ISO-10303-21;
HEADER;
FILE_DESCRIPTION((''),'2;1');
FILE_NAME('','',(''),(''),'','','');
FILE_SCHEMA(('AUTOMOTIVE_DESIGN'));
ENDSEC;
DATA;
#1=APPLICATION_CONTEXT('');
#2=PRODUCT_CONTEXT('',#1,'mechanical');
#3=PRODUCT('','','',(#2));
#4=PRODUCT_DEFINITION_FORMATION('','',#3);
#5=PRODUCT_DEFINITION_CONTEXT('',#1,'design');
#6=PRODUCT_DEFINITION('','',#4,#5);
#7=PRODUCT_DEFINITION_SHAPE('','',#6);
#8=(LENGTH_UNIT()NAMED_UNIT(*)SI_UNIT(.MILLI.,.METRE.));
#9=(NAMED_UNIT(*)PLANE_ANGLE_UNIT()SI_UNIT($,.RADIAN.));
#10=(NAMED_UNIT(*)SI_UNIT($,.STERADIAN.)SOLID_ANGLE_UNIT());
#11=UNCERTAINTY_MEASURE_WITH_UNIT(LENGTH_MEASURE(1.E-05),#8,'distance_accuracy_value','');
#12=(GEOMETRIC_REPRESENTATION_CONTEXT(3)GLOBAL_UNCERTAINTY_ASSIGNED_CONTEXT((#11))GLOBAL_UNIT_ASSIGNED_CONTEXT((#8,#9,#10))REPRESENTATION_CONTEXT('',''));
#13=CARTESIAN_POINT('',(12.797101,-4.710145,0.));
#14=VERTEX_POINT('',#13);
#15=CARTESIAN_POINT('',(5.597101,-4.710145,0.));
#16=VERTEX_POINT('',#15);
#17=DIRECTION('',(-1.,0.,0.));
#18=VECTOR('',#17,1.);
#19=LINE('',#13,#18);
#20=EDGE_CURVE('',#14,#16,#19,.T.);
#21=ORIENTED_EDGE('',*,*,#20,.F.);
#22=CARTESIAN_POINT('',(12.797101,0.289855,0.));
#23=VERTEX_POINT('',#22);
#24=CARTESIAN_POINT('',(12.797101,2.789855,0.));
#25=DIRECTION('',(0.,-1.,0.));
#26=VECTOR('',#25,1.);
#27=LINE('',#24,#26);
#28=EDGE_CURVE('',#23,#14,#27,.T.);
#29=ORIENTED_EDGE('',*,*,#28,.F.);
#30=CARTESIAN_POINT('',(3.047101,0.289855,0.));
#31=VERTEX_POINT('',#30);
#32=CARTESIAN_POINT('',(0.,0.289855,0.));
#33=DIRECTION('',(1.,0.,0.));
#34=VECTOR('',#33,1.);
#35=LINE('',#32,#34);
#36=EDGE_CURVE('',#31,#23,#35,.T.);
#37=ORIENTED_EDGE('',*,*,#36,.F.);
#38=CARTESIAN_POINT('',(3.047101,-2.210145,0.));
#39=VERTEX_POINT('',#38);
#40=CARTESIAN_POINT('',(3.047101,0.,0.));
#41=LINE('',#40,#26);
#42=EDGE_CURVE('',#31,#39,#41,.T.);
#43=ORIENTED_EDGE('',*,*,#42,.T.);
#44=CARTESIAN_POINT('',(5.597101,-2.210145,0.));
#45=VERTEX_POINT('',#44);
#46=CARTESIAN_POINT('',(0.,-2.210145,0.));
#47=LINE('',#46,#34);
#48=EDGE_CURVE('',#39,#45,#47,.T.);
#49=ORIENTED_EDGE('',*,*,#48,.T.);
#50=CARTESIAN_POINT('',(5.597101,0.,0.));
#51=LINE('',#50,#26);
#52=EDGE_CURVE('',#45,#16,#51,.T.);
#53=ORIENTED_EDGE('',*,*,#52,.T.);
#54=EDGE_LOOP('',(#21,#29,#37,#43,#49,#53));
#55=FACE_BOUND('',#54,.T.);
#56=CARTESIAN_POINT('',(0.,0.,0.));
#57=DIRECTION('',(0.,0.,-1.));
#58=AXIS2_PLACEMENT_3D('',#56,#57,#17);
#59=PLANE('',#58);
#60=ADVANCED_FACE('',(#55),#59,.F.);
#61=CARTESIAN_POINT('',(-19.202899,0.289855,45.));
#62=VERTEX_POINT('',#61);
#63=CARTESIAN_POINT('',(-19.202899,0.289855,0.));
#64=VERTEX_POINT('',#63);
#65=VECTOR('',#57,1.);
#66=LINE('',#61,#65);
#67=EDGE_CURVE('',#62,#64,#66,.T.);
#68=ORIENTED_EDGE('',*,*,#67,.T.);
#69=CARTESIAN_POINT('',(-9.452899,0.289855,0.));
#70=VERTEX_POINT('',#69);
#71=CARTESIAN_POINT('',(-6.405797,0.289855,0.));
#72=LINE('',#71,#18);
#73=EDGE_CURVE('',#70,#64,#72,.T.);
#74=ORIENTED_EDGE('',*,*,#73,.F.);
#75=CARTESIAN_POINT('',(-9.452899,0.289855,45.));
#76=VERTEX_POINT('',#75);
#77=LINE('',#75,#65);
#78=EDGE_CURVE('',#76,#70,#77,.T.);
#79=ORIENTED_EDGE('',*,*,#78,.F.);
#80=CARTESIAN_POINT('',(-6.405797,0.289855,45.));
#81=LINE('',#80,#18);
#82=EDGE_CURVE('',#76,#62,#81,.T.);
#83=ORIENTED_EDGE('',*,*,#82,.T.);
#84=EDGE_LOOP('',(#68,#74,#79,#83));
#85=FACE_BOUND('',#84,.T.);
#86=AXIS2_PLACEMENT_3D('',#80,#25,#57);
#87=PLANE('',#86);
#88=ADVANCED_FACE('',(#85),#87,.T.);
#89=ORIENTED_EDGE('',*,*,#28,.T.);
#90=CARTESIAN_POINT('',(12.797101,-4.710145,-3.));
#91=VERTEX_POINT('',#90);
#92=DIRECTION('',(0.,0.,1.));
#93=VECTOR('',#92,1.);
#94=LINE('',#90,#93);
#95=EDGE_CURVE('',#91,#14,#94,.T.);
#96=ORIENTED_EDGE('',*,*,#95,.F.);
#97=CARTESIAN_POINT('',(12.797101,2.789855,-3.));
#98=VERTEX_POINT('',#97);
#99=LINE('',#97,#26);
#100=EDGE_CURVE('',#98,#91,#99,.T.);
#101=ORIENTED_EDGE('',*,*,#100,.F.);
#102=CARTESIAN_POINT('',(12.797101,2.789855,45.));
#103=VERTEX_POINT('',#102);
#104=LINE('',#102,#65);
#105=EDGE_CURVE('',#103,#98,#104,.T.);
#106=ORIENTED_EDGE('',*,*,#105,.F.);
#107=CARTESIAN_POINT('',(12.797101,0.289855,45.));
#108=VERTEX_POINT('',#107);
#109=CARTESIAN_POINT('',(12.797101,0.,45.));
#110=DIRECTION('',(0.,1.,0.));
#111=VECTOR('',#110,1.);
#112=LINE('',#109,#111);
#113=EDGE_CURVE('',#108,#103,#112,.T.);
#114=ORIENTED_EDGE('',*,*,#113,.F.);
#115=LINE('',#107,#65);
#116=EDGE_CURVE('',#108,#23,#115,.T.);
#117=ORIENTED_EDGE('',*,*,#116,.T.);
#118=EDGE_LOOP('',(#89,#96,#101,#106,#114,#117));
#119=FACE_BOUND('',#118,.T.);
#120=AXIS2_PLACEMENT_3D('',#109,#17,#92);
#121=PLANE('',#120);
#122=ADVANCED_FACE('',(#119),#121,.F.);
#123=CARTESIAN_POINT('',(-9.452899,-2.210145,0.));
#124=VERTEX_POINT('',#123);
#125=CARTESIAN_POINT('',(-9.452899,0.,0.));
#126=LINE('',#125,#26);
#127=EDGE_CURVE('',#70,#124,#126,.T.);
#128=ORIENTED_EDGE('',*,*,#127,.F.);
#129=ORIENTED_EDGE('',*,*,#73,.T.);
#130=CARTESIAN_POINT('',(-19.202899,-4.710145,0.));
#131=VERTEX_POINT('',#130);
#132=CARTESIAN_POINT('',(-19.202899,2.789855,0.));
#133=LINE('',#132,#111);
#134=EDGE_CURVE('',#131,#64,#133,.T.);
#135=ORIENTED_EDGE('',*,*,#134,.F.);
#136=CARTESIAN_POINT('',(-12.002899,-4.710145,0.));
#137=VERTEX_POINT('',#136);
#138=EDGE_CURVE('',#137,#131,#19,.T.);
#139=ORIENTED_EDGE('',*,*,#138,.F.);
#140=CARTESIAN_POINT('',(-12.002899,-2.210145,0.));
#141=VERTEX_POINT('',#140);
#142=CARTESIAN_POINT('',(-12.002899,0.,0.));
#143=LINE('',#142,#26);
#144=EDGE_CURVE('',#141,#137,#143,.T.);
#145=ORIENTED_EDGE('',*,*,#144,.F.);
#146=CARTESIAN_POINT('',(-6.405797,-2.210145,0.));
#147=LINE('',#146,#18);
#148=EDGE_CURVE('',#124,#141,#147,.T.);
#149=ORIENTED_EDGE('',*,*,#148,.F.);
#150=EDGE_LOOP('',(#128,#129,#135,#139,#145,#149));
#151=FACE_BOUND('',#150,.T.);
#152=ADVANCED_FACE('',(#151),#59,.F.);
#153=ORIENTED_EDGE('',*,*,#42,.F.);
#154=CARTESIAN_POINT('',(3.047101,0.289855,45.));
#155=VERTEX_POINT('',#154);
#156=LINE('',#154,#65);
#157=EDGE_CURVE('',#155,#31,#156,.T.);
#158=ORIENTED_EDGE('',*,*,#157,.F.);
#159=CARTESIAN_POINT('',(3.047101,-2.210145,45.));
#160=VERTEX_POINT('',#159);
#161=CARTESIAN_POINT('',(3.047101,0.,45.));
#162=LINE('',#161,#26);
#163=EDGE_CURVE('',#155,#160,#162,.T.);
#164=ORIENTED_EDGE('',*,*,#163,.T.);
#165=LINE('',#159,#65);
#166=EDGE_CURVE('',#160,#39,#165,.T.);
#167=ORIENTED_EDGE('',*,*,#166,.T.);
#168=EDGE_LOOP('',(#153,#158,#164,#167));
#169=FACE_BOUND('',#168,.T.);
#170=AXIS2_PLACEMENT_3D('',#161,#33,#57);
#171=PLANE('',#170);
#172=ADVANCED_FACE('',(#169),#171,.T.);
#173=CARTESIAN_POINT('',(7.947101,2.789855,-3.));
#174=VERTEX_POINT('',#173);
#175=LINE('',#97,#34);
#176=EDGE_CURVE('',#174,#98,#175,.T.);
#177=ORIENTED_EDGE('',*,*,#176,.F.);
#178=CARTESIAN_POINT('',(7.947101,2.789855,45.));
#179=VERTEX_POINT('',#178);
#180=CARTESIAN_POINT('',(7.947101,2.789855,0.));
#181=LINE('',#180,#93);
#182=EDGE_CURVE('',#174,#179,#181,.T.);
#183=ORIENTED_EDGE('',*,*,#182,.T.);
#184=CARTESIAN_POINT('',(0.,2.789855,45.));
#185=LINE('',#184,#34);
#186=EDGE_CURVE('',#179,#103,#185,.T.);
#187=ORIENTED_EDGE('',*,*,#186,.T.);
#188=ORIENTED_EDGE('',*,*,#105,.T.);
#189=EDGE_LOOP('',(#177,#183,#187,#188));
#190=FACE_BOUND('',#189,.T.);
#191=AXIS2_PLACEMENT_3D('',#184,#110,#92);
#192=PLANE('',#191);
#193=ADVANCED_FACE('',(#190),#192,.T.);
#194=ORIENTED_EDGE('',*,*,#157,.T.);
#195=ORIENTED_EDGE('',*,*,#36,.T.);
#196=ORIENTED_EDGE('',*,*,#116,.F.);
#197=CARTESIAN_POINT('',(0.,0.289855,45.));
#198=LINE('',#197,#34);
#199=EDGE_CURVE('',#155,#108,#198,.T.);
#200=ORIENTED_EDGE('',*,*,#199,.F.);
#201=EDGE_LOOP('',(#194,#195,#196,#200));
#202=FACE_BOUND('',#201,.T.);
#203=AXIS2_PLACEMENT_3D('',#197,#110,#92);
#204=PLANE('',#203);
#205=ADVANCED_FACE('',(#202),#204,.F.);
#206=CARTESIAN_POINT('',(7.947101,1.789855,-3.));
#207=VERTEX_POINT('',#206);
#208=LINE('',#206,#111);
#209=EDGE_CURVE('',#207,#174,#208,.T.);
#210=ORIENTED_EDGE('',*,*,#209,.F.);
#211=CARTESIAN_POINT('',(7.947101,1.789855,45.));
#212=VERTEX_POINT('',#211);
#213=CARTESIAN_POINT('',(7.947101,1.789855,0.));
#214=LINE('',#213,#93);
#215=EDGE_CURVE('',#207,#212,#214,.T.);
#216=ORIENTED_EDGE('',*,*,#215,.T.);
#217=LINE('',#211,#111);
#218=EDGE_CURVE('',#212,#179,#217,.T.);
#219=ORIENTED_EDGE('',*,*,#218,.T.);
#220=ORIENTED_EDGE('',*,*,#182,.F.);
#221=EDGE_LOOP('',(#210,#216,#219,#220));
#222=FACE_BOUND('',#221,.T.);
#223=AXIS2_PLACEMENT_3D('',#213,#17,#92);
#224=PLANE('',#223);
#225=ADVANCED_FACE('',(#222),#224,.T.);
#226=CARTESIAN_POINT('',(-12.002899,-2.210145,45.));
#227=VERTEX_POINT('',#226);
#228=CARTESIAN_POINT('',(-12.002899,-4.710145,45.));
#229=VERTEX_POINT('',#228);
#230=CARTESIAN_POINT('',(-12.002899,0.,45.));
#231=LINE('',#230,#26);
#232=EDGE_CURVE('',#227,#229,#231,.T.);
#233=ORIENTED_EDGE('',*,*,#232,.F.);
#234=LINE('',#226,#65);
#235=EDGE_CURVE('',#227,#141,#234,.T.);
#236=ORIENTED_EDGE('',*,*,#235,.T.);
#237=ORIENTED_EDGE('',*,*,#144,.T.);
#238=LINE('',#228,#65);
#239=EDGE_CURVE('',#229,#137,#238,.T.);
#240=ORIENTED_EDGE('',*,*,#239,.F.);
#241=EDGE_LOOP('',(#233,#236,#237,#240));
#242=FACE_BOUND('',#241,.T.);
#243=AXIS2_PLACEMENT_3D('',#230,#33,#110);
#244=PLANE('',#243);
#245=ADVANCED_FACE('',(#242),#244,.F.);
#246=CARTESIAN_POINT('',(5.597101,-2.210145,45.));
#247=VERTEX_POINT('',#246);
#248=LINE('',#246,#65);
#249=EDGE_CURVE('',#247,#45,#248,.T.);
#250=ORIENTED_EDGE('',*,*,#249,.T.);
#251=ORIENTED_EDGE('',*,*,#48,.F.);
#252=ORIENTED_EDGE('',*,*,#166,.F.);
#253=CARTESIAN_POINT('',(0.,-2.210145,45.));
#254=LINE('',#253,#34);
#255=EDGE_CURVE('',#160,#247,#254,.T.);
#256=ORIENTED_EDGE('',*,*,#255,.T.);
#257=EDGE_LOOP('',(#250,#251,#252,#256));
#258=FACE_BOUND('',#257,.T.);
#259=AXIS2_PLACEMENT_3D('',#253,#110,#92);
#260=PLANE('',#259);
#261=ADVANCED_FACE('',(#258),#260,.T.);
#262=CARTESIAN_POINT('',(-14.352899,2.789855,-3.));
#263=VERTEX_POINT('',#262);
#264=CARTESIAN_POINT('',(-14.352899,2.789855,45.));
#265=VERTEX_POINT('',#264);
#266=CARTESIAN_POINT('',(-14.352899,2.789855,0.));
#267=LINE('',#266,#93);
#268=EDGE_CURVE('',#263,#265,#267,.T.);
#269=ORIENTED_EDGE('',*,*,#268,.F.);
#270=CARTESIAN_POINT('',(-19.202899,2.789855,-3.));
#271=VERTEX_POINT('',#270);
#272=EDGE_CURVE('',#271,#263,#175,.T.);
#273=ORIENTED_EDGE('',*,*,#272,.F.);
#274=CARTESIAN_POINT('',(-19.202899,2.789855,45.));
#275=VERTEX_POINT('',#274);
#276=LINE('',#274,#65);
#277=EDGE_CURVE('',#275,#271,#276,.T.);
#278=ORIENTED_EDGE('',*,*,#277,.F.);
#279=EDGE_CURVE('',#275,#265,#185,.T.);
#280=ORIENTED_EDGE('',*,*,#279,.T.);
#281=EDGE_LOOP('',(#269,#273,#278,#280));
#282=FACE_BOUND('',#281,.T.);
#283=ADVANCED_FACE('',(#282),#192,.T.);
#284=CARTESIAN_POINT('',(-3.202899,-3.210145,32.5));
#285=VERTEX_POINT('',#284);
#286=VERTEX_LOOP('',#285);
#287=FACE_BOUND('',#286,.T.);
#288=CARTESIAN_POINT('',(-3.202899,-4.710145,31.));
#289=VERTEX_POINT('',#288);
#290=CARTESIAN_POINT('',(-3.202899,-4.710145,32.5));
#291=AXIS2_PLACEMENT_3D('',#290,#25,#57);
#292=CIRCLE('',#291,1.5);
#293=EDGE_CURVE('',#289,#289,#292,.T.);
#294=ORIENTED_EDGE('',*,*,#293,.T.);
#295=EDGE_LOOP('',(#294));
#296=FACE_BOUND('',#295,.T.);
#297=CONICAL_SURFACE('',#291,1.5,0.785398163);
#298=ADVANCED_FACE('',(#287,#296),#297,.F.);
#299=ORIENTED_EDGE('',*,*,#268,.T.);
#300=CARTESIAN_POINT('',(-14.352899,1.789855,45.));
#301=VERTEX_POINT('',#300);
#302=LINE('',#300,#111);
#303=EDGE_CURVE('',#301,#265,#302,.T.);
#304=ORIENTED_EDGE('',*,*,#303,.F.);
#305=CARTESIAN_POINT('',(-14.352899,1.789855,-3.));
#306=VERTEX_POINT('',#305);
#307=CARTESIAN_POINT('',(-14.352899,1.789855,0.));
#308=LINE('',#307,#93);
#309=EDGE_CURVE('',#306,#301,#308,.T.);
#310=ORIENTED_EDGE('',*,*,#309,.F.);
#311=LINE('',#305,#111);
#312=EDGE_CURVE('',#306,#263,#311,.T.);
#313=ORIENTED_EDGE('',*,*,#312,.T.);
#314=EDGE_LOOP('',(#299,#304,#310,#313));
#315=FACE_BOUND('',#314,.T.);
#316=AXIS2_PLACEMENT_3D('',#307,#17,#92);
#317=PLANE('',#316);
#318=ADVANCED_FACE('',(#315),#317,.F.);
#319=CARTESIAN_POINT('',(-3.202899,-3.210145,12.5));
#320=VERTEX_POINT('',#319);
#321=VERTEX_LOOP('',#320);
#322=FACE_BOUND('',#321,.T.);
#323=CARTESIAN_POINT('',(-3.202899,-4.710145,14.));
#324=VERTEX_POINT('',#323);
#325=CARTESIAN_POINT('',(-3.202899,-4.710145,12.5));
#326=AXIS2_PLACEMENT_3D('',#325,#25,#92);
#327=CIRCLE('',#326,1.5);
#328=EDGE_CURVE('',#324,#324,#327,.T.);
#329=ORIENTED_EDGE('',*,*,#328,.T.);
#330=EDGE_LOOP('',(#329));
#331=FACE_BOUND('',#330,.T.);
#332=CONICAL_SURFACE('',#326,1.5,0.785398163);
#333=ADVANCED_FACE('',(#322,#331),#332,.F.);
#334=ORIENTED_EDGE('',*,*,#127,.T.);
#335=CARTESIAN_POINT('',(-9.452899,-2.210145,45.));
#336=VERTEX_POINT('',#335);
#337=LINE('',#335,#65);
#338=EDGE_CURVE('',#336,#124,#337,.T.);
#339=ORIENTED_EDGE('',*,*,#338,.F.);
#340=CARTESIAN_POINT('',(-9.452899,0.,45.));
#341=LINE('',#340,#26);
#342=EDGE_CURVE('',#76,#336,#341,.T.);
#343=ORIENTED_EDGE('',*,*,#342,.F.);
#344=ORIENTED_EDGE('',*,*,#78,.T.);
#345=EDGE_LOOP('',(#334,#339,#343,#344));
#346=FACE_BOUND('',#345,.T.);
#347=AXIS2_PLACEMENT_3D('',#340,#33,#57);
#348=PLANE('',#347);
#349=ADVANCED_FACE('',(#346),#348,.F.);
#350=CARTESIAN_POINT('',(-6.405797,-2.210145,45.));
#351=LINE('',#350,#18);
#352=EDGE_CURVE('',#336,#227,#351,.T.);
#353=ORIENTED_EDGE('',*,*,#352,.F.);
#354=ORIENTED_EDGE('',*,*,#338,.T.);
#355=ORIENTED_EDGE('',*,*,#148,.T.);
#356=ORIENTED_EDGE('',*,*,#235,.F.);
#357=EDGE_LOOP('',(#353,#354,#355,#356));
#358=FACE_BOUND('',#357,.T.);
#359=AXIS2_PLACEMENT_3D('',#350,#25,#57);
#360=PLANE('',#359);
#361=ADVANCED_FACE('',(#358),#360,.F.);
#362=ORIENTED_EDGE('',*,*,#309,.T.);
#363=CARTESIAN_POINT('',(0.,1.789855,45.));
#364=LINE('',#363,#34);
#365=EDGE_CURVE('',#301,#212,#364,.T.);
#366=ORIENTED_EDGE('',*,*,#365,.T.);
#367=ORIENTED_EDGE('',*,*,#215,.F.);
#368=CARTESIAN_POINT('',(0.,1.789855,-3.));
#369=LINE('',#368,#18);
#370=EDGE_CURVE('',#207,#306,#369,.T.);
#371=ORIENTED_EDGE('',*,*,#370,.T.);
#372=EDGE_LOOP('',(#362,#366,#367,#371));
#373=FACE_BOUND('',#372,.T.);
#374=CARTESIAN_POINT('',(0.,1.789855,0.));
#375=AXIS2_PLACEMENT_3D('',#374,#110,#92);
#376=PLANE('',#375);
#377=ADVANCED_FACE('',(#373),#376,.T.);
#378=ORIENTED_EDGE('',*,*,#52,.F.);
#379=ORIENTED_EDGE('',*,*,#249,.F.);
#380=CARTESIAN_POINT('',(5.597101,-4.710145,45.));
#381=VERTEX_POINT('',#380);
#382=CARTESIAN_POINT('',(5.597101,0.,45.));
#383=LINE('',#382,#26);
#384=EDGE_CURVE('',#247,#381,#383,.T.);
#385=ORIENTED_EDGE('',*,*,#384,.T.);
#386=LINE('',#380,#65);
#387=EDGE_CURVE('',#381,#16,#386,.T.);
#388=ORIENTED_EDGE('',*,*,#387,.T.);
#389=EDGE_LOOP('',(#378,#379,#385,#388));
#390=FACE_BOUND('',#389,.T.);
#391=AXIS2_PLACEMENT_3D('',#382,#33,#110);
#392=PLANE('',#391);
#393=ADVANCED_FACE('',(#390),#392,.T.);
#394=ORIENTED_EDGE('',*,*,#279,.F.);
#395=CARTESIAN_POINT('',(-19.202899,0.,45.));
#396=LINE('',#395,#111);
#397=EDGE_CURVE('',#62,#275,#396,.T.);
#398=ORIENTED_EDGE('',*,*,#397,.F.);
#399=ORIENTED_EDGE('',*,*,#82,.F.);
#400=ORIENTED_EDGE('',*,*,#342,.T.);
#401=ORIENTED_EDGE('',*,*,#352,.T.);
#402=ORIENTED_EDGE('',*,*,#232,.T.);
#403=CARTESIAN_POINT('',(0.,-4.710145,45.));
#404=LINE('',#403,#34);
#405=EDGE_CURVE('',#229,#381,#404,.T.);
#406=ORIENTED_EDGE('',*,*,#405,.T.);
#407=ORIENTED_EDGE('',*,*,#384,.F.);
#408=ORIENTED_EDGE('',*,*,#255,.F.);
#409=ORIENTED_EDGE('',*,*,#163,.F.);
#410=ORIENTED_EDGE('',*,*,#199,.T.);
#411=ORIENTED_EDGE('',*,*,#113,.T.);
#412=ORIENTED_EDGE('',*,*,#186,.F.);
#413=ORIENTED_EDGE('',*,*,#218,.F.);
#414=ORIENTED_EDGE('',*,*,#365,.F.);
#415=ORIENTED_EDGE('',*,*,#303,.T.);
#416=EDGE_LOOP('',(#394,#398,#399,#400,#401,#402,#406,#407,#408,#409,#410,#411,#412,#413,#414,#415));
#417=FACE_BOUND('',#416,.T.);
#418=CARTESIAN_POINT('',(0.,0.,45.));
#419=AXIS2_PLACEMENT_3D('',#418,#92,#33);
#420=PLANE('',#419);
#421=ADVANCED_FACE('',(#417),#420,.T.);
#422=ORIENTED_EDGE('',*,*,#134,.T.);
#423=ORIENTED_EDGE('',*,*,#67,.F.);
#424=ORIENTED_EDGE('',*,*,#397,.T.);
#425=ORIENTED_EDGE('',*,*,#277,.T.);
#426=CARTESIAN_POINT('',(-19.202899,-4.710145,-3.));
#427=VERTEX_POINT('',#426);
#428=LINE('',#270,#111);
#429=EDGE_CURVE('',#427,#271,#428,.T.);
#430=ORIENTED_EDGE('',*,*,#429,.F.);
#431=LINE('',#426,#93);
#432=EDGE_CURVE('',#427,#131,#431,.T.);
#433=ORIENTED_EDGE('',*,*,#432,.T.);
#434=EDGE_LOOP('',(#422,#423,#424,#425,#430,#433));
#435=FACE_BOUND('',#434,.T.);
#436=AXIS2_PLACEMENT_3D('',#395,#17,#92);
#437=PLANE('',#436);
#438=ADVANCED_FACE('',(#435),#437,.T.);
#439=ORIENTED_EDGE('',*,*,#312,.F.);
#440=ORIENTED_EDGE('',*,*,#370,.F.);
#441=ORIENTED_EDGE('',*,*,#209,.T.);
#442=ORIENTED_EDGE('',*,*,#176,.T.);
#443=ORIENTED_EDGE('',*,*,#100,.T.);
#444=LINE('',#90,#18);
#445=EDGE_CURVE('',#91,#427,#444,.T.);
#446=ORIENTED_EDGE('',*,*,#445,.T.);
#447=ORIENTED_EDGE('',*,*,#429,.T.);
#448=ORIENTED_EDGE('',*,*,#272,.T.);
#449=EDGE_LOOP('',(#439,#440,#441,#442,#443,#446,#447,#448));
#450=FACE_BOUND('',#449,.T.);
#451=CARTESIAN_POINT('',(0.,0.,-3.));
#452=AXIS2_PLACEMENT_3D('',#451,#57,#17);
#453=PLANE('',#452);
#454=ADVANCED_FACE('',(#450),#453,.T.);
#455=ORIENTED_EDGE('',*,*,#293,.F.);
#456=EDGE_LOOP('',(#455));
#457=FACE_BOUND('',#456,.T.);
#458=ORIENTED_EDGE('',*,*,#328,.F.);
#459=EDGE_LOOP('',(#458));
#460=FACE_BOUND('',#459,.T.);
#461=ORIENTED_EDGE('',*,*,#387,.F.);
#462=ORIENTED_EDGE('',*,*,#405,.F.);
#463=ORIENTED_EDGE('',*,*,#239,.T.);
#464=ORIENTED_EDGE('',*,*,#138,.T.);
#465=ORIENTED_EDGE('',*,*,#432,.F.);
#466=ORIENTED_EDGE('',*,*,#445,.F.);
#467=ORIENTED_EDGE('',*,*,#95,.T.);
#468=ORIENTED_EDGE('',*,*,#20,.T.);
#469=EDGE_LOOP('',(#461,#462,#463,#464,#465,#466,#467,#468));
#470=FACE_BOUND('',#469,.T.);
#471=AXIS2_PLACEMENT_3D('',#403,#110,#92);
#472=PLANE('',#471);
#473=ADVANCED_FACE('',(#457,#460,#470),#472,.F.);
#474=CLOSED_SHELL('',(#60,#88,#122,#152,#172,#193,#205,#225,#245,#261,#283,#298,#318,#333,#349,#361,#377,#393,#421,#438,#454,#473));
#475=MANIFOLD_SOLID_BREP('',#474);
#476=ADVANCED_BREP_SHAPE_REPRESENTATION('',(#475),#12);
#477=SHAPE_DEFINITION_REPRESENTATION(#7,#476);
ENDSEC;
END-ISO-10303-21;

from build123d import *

# Parameters (mm, degrees)
SKETCH1_W           = 6.25
SKETCH1_H           = 2.5
SKETCH1_W_2         = 8.8
BOSS_EXTRUDE1_DEPTH = 45
SKETCH9_W           = 32
SKETCH9_H           = 7.5
BOSS_EXTRUDE3_DEPTH = 3
SKETCH10_W          = 11.15
SKETCH10_H          = 48
CUT_EXTRUDE3_DEPTH  = 1


with BuildPart() as part:
    # Sketch1 → Boss-Extrude1 (new body)
    with BuildSketch(Plane.XY):
        Polygon((-3.202898551, 2.789855072), (-3.202898551, 0.289855072), (3.047101449, 0.289855072), (12.797101449, 0.289855072), (12.797101449, 2.789855072), align=None)
        with Locations((-0.077898551, -0.960144928)):
            Rectangle(SKETCH1_W, SKETCH1_H)
        with Locations((1.197101449, -3.460144928)):
            Rectangle(SKETCH1_W_2, SKETCH1_H)
    boss_extrude1 = extrude(amount=BOSS_EXTRUDE1_DEPTH)

    # Mirror1: Boss-Extrude1 across plane
    add(boss_extrude1.mirror(Plane(origin=(-3.202898551, 0, 45), x_dir=(0, 0, 1), z_dir=(-1, 0, 0))))

    # Cut-Extrude2 cone 1 section (through the dimple's axis) → Cut-Extrude2 (revolve, cut)
    with BuildSketch(Plane(origin=(-3.202898551, -4.710144928, 32.5), x_dir=(0, 0, -1), z_dir=(1, 0, 0))):
        Polygon((0, 0), (1.5, 0), (0, 1.5), align=None)
    revolve(axis=Axis((-3.202898551, -4.710144928, 32.5), (0, 1, 0)), mode=Mode.SUBTRACT)

    # Cut-Extrude2 cone 2 section (through the dimple's axis) → Cut-Extrude2 cone 2 (revolve, cut)
    with BuildSketch(Plane(origin=(-3.202898551, -4.710144928, 12.5), x_dir=(0, 0, -1), z_dir=(1, 0, 0))):
        Polygon((0, 0), (1.5, 0), (0, 1.5), align=None)
    revolve(axis=Axis((-3.202898551, -4.710144928, 12.5), (0, 1, 0)), mode=Mode.SUBTRACT)

    # Sketch9 → Boss-Extrude3 (add)
    with BuildSketch(Plane(origin=(0, 0, 0), x_dir=(-1, 0, 0), z_dir=(0, 0, -1))):
        with Locations((3.202898551, -0.960144928)):
            Rectangle(SKETCH9_W, SKETCH9_H)
    extrude(amount=BOSS_EXTRUDE3_DEPTH)

    # Sketch10 → Cut-Extrude3 (cut)
    with BuildSketch(Plane(origin=(0, 2.789855072, 0), x_dir=(1, 0, 0), z_dir=(0, 1, 0))):
        with Locations((-8.777898551, -21)):
            Rectangle(SKETCH10_W, SKETCH10_H)
        with Locations((2.372101449, -21)):
            Rectangle(SKETCH10_W, SKETCH10_H)
    extrude(amount=-CUT_EXTRUDE3_DEPTH, mode=Mode.SUBTRACT)


solid = part.part
